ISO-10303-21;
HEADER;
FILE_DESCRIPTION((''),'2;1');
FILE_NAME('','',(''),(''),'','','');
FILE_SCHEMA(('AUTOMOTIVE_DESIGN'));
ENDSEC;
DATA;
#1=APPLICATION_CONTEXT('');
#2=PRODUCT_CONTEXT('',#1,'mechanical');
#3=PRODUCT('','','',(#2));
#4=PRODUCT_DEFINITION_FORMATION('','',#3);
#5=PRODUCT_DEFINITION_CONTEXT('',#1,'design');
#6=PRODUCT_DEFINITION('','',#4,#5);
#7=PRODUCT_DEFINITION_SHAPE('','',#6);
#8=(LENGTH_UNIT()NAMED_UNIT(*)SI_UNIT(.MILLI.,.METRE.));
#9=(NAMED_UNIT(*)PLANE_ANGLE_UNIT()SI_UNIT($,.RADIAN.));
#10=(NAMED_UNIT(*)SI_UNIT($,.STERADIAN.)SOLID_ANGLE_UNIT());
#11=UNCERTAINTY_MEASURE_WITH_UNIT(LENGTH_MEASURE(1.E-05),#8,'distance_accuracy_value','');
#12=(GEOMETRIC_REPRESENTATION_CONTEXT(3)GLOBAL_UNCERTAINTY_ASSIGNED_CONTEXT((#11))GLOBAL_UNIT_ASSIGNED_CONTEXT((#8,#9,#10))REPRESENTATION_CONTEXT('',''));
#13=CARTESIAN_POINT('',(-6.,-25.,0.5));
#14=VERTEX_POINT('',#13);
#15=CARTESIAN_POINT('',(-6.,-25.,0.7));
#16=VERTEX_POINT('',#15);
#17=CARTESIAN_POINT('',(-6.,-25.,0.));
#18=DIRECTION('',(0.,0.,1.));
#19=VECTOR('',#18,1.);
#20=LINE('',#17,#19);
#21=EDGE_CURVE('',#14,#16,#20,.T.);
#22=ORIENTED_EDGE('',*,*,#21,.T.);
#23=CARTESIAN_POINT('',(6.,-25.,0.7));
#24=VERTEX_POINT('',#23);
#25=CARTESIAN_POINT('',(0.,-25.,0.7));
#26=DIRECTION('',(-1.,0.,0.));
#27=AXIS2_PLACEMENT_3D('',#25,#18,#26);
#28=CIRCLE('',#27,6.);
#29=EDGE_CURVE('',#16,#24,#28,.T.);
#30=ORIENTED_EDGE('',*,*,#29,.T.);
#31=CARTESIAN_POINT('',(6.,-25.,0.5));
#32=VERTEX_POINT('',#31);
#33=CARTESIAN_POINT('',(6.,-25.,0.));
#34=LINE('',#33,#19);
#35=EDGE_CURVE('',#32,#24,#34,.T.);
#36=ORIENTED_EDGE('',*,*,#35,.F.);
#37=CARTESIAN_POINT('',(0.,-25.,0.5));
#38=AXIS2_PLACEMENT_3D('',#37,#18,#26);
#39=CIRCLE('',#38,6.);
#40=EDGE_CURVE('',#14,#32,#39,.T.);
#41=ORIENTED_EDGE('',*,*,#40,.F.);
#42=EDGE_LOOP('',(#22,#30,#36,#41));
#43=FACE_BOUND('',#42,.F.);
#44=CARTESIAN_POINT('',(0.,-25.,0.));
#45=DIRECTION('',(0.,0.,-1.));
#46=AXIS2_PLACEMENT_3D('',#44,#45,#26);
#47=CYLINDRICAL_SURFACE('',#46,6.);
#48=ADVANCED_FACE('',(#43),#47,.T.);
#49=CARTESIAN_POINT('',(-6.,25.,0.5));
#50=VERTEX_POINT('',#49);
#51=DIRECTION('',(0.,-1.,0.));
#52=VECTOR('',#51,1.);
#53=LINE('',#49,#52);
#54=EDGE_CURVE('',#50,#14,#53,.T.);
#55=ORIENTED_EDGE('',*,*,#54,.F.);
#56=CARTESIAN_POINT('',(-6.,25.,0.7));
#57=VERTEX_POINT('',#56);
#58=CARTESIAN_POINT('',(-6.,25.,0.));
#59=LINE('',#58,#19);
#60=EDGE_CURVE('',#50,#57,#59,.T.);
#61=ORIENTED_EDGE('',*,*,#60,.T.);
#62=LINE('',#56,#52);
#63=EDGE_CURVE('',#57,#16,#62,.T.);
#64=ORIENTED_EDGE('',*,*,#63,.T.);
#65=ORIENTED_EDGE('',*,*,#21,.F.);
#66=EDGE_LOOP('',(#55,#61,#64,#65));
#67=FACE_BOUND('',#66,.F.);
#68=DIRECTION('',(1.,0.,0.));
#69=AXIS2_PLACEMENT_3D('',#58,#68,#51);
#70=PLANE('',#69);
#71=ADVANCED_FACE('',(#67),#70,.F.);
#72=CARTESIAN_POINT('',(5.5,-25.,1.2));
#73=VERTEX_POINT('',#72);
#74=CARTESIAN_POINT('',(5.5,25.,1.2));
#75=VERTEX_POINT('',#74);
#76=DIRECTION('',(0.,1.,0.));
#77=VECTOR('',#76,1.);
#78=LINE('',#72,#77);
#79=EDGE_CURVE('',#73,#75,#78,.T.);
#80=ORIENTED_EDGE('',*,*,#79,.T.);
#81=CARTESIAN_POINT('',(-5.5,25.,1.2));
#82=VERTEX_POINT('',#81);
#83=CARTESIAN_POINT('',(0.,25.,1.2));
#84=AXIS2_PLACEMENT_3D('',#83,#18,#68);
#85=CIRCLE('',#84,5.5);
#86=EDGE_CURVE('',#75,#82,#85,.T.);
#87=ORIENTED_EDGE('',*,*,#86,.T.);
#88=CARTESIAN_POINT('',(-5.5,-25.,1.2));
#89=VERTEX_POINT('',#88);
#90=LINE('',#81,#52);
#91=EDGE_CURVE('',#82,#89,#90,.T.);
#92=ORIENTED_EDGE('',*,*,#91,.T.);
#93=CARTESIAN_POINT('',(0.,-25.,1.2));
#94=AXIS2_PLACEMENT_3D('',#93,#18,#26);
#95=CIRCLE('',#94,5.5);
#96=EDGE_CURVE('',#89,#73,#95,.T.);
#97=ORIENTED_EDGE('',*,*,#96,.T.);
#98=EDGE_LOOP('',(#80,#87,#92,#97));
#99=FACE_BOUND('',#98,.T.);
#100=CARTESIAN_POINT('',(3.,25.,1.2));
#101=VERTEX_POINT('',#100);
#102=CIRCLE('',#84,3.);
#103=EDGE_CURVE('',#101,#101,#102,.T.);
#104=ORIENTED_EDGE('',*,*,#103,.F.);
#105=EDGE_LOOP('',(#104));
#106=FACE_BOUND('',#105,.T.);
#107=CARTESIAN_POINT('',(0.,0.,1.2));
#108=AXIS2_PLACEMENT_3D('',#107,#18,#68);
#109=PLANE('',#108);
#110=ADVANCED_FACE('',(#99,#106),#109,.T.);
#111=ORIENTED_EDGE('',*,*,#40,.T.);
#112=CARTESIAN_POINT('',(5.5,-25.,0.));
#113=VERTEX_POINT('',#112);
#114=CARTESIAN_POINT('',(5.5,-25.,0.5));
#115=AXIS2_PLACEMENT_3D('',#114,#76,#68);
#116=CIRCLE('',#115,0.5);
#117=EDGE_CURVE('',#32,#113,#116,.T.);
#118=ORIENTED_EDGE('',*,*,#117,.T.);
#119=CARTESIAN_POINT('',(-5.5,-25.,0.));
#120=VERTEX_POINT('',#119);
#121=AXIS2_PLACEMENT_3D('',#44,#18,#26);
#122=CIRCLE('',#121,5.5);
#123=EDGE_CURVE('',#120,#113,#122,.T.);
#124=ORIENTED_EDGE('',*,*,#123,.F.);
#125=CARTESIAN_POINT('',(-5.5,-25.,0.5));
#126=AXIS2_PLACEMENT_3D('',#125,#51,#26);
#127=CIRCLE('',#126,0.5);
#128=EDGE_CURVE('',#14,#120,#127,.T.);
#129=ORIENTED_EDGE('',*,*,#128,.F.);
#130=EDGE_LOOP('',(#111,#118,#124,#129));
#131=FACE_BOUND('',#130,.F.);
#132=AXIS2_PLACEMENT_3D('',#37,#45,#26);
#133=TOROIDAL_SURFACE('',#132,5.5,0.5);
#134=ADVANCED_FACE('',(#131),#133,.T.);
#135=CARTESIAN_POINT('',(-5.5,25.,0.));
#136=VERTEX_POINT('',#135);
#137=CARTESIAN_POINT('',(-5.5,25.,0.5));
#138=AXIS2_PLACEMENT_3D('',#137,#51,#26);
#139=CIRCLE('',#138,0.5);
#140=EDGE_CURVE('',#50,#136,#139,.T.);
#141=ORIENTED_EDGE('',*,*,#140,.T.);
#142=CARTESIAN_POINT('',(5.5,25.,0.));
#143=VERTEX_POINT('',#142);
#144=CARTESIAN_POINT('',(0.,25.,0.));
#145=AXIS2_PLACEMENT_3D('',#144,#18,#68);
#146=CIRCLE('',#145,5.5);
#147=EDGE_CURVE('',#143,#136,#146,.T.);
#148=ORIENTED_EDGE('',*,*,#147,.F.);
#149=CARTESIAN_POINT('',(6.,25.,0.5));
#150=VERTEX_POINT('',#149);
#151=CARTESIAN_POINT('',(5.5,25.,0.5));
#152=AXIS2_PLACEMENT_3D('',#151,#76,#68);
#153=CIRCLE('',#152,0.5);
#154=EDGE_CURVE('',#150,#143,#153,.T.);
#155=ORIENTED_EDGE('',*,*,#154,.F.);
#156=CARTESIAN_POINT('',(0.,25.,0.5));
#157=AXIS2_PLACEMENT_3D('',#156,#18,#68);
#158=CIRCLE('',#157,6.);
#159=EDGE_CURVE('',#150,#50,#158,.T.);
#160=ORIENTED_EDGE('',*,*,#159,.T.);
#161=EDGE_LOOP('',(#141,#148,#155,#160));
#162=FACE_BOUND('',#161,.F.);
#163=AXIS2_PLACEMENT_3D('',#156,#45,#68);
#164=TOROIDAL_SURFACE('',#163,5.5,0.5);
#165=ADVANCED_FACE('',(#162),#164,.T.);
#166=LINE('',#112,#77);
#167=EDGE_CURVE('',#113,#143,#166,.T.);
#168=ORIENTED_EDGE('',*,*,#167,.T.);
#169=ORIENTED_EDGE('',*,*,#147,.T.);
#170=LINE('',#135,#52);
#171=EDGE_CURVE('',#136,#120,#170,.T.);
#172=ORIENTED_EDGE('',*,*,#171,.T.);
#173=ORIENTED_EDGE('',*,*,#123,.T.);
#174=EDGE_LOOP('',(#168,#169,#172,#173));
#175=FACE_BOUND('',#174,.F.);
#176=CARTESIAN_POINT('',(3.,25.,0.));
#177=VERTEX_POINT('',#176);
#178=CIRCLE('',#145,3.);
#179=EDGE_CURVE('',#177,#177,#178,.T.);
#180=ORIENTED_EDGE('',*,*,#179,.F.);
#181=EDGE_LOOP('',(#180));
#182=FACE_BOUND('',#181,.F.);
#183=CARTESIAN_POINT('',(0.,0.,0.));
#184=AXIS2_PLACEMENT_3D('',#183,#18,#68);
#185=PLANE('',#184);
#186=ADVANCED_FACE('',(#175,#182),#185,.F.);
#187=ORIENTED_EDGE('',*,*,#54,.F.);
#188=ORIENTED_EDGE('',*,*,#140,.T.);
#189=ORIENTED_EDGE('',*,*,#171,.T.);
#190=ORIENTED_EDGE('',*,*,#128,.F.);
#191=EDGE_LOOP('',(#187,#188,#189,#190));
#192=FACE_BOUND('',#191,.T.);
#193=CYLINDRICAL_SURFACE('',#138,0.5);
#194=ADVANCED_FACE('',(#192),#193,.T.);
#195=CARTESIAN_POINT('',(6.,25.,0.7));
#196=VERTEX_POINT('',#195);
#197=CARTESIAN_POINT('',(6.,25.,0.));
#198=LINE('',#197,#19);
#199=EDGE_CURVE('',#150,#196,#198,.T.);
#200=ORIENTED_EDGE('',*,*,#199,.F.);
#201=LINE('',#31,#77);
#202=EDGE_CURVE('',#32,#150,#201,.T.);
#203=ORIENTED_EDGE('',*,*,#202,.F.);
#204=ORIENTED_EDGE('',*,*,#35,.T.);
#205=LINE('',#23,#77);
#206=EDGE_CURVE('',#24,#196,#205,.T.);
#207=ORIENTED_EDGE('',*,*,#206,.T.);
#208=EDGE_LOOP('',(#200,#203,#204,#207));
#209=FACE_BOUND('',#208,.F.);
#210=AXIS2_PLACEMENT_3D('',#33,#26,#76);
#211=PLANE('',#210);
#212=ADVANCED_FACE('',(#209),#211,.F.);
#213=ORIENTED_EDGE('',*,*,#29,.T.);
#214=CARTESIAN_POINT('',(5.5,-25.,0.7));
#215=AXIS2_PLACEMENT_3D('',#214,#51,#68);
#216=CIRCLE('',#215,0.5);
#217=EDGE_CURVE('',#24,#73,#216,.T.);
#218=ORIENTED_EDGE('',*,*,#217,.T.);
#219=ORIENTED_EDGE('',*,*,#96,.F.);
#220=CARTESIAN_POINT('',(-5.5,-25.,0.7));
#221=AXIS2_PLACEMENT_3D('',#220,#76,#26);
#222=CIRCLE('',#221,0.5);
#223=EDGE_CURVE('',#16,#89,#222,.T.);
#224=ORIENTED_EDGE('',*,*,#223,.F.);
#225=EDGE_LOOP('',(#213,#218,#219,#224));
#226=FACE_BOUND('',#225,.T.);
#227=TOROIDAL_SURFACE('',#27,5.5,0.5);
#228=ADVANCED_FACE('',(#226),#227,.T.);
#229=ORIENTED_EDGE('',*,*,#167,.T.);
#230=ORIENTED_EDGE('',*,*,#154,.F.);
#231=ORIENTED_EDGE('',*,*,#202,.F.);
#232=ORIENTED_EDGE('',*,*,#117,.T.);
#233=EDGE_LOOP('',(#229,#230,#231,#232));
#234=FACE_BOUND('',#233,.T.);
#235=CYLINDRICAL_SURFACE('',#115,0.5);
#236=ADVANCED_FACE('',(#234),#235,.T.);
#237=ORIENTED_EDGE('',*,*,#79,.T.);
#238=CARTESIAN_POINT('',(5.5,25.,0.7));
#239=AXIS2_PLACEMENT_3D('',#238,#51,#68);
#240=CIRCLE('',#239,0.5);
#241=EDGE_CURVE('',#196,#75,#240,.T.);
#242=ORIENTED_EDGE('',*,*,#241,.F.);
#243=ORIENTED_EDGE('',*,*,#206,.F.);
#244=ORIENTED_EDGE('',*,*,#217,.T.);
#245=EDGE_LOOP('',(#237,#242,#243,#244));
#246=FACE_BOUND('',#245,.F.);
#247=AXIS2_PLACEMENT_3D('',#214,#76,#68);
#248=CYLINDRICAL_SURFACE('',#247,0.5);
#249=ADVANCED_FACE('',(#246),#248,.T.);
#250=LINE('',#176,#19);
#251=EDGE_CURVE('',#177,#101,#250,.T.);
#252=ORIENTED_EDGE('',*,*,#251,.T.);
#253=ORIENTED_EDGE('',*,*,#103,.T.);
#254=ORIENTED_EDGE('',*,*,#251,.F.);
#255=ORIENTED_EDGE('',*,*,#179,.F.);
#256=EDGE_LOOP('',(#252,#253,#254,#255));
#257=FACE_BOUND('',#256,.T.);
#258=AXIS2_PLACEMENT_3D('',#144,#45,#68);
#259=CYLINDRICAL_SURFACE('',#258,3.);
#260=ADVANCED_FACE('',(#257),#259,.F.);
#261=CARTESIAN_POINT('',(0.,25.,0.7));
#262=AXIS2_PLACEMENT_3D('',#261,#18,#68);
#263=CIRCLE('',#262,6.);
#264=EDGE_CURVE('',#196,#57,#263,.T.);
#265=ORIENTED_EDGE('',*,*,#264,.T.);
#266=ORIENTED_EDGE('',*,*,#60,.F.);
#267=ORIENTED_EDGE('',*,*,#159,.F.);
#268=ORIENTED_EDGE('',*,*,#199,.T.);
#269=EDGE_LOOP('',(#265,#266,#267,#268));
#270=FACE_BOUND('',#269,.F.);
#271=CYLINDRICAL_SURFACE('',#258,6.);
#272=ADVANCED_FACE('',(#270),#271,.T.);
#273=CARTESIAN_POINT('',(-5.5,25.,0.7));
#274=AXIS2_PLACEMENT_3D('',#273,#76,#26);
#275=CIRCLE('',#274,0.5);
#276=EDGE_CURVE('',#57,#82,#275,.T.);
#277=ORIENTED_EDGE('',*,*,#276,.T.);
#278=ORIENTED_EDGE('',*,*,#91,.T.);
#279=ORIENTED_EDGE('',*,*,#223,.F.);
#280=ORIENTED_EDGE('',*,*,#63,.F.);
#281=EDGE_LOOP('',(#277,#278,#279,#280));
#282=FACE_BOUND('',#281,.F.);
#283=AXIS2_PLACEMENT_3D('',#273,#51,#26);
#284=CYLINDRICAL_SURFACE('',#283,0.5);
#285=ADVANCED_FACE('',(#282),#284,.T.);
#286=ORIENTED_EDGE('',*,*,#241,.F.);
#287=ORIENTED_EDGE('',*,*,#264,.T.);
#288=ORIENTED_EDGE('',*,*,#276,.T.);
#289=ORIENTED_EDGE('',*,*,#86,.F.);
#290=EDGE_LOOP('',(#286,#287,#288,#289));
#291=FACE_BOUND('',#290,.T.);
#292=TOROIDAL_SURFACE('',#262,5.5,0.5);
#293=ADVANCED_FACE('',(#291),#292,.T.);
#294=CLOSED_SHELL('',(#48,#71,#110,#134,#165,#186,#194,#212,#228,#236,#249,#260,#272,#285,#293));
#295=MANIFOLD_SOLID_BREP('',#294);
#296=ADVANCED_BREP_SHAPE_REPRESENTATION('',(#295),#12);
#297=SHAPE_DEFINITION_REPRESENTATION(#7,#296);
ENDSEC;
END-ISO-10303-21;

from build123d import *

# Parameters (mm, degrees)
SKETCH_R  = 3
PAD_DEPTH = 1.2
FILLET_R  = 0.5


with BuildPart() as part:
    # Sketch → Pad (new body)
    with BuildSketch(Plane.XY):
        with BuildLine():
            ThreePointArc((6, 25), (0, 31), (-6, 25))
            Line((-6, 25), (-6, -25))
            ThreePointArc((-6, -25), (0, -31), (6, -25))
            Line((6, -25), (6, 25))
        make_face()
        with Locations((0, 25)):
            Circle(SKETCH_R, mode=Mode.SUBTRACT)
    extrude(amount=PAD_DEPTH)

    # Fillet
    fillet_edges = [part.edges().sort_by_distance(p)[0] for p in [
        (6, 0, 0),
        (6, 0, 1.2),
    ]]
    fillet(fillet_edges, radius=FILLET_R)


solid = part.part
